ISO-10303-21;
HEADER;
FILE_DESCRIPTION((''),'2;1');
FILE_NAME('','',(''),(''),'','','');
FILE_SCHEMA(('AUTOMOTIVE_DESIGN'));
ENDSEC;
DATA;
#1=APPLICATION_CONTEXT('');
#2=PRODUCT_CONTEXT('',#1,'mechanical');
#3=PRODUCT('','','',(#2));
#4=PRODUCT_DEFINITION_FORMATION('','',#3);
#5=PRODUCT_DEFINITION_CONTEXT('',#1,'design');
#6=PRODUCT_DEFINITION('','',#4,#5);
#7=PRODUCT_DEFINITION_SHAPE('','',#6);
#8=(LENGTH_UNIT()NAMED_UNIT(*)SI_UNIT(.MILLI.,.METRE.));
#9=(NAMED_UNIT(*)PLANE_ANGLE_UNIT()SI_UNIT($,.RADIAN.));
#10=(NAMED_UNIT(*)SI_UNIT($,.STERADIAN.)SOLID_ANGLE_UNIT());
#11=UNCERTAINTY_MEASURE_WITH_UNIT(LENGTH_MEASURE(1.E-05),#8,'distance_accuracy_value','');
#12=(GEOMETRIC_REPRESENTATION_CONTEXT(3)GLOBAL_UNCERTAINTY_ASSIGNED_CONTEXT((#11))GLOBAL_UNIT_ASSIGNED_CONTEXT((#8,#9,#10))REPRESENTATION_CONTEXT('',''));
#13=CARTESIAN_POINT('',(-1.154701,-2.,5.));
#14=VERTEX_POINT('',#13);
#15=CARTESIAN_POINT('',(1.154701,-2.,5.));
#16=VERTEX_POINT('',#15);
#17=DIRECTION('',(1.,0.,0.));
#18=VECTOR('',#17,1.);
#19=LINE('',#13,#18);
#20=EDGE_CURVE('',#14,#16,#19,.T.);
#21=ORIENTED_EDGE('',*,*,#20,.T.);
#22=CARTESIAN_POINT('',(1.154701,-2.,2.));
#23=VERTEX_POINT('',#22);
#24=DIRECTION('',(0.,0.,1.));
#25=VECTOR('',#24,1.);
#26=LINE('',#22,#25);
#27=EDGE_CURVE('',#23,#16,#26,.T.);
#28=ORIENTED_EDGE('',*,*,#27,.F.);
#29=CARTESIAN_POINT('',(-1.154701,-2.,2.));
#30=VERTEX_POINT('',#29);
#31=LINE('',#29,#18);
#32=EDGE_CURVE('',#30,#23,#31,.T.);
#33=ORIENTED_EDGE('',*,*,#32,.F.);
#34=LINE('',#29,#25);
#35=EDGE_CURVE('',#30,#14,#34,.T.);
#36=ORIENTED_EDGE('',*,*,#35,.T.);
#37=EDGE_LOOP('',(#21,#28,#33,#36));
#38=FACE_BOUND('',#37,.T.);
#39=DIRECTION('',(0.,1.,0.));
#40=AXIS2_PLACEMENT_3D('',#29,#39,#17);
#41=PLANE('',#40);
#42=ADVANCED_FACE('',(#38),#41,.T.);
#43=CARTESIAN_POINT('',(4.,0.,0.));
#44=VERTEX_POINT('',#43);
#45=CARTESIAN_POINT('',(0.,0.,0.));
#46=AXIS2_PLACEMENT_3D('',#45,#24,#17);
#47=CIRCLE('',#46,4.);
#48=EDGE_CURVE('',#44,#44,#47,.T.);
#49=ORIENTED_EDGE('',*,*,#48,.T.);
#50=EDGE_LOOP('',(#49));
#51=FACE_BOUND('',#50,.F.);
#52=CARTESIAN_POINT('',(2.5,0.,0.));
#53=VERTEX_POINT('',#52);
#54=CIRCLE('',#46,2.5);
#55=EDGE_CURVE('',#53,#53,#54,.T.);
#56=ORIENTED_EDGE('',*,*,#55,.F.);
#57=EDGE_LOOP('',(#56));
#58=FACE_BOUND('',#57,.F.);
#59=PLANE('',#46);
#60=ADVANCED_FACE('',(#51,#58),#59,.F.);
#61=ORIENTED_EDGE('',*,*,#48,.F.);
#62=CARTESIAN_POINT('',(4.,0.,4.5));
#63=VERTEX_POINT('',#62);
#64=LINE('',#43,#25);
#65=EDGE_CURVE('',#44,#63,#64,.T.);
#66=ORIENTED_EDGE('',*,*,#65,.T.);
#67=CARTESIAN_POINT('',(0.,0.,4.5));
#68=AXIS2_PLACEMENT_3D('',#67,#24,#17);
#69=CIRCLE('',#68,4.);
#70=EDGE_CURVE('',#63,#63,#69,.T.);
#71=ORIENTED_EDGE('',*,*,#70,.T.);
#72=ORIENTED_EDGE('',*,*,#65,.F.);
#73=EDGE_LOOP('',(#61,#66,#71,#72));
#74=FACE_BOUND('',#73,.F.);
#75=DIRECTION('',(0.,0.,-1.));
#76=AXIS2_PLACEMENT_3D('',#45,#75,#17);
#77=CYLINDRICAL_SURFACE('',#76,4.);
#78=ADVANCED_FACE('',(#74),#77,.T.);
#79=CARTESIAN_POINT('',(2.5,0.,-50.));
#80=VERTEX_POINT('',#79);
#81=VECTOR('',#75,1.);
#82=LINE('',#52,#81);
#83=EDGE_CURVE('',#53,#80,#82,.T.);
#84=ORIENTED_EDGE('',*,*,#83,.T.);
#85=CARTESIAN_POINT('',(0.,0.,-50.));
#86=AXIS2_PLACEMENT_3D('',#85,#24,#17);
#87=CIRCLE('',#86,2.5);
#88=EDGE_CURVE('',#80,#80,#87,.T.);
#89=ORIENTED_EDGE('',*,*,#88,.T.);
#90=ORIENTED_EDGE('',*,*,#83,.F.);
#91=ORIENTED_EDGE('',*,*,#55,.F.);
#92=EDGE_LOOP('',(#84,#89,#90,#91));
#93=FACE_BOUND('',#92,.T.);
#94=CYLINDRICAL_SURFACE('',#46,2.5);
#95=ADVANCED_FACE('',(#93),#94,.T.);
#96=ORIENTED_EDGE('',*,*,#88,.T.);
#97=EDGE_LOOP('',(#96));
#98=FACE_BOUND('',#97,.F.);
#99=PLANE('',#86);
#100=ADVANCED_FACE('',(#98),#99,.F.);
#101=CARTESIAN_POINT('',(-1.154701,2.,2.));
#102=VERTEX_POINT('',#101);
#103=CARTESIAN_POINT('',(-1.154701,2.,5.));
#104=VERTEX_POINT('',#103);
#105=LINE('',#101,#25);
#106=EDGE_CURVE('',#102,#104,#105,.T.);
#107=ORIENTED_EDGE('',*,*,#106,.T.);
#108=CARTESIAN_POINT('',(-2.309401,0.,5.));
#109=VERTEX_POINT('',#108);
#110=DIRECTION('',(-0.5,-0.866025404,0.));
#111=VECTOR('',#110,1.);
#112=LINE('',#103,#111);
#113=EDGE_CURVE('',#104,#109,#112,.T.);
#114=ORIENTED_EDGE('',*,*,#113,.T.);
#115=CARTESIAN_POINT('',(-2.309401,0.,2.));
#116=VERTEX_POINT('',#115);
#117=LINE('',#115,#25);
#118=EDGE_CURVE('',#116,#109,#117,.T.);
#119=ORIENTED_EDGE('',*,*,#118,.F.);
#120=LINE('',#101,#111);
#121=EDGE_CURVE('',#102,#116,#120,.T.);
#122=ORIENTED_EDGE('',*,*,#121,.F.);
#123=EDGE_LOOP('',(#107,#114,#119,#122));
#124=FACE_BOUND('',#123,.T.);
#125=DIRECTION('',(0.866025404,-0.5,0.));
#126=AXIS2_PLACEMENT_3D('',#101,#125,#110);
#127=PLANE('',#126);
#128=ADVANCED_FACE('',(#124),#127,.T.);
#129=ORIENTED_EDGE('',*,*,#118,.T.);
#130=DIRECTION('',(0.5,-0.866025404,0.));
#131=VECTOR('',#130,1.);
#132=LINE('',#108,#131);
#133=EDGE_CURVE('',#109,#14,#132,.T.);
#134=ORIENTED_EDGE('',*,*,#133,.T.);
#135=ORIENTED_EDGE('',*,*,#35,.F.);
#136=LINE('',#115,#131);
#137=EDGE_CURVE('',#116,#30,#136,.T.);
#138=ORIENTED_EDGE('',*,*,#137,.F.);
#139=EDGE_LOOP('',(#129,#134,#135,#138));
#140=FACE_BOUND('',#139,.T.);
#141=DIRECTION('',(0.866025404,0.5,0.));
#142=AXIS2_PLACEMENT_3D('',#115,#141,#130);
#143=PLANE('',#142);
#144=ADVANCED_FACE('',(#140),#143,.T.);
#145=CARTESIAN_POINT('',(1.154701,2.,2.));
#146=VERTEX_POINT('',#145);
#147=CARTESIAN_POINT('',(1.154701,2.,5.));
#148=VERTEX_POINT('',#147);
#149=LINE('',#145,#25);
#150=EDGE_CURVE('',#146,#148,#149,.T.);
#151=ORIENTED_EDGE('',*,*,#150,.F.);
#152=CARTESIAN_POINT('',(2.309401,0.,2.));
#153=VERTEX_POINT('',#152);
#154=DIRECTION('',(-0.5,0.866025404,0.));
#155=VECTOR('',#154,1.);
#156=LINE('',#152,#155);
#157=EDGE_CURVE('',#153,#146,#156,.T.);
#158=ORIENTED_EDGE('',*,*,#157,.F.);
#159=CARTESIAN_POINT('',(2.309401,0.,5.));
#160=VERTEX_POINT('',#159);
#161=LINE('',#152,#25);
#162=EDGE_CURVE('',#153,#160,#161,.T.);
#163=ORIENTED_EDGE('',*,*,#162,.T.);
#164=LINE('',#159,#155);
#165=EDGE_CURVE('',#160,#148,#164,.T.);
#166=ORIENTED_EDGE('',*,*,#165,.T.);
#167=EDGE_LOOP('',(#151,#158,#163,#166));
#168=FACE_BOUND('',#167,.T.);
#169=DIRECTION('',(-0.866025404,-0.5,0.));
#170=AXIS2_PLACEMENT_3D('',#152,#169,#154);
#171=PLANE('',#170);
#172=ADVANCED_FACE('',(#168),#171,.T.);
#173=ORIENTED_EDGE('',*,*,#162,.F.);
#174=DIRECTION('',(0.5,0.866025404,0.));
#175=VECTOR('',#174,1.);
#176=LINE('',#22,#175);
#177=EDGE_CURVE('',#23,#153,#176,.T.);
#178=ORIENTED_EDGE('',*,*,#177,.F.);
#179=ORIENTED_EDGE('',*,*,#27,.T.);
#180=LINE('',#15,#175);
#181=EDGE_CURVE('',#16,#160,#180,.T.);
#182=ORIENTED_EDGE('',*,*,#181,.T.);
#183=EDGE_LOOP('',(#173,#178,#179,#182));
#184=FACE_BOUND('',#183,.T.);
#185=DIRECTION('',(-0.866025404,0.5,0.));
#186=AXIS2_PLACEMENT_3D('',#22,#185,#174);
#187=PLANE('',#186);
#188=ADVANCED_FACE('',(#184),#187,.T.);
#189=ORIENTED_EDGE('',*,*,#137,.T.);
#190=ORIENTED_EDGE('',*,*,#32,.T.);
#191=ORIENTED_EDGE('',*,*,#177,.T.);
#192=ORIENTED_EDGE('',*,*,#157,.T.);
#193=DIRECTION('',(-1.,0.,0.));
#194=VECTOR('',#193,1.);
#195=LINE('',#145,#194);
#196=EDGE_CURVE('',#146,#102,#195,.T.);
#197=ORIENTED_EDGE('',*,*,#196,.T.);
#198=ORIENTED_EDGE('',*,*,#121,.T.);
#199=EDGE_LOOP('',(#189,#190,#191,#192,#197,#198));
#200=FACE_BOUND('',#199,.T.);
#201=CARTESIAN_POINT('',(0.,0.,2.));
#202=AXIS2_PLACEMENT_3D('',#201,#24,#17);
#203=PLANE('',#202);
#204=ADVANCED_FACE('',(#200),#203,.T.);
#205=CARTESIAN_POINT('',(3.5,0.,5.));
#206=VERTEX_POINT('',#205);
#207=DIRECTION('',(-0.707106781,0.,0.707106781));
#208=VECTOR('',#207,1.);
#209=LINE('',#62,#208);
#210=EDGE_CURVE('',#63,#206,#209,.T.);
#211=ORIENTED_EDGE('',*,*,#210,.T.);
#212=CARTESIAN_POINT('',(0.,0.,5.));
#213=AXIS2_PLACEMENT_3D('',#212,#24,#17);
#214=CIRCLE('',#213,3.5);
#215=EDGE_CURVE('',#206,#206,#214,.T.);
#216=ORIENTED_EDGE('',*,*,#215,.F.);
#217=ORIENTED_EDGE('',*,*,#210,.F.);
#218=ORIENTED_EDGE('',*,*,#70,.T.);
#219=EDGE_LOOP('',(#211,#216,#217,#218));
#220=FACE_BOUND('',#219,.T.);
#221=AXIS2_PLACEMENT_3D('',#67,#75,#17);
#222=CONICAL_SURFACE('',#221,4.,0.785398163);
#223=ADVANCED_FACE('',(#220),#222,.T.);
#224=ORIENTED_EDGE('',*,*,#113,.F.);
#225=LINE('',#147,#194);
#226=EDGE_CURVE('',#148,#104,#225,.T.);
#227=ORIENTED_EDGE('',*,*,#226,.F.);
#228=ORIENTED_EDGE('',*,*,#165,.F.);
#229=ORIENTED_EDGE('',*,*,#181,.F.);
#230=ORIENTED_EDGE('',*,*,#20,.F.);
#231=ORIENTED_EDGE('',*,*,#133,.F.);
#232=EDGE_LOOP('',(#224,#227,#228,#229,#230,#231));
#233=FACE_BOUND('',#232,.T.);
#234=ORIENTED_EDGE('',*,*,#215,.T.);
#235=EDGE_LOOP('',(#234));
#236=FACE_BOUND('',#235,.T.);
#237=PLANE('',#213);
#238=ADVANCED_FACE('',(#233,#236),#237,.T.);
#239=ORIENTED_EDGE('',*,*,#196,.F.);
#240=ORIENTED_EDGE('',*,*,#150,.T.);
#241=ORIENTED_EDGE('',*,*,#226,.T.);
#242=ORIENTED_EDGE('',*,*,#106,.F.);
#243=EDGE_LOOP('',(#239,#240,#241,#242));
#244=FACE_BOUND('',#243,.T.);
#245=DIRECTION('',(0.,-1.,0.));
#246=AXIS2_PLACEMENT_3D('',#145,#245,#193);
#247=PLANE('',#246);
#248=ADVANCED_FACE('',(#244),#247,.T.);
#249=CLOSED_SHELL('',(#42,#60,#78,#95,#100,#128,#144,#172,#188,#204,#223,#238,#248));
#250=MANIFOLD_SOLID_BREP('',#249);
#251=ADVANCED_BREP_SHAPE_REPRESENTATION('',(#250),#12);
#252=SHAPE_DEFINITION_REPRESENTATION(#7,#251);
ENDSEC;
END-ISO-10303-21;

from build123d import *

# Parameters (mm, degrees)
F0_R     = 4
F0_R_2   = 2.5
F1_DEPTH = 5
F2_START = 2
F2_DEPTH = 3
F3_DEPTH = 50
F4_SIZE  = 0.5


with BuildPart() as f1:
    # F0 (on Top) → F1 (new body)
    with BuildSketch(Plane.XY):
        Circle(F0_R)
        Circle(F0_R_2, mode=Mode.SUBTRACT)
        Circle(F0_R_2)
        Polygon((2.3094010768, 0), (1.1547005384, -2), (-1.1547005384, -2), (-2.3094010768, 0), (-1.1547005384, 2), (1.1547005384, 2), align=None, mode=Mode.SUBTRACT)
        Polygon((-1.1547005384, -2), (1.1547005384, -2), (2.3094010768, 0), (1.1547005384, 2), (-1.1547005384, 2), (-2.3094010768, 0), align=None)
    extrude(amount=F1_DEPTH)

    # F0 (on Top) → F2 (cut)
    with BuildSketch(Plane.XY.offset(F2_START)):
        Polygon((-1.1547005384, -2), (1.1547005384, -2), (2.3094010768, 0), (1.1547005384, 2), (-1.1547005384, 2), (-2.3094010768, 0), align=None)
    extrude(amount=F2_DEPTH, mode=Mode.SUBTRACT)

    # F0 (on Top) → F3 (join)
    with BuildSketch(Plane.XY):
        Circle(F0_R_2)
        Polygon((2.3094010768, 0), (1.1547005384, -2), (-1.1547005384, -2), (-2.3094010768, 0), (-1.1547005384, 2), (1.1547005384, 2), align=None, mode=Mode.SUBTRACT)
        Polygon((-1.1547005384, -2), (1.1547005384, -2), (2.3094010768, 0), (1.1547005384, 2), (-1.1547005384, 2), (-2.3094010768, 0), align=None)
    extrude(amount=-F3_DEPTH)

    # F4
    f4_edges = [f1.edges().sort_by_distance(p)[0] for p in [
        (-4, 0, 5),
    ]]
    chamfer(f4_edges, length=F4_SIZE)


solid = f1.part
